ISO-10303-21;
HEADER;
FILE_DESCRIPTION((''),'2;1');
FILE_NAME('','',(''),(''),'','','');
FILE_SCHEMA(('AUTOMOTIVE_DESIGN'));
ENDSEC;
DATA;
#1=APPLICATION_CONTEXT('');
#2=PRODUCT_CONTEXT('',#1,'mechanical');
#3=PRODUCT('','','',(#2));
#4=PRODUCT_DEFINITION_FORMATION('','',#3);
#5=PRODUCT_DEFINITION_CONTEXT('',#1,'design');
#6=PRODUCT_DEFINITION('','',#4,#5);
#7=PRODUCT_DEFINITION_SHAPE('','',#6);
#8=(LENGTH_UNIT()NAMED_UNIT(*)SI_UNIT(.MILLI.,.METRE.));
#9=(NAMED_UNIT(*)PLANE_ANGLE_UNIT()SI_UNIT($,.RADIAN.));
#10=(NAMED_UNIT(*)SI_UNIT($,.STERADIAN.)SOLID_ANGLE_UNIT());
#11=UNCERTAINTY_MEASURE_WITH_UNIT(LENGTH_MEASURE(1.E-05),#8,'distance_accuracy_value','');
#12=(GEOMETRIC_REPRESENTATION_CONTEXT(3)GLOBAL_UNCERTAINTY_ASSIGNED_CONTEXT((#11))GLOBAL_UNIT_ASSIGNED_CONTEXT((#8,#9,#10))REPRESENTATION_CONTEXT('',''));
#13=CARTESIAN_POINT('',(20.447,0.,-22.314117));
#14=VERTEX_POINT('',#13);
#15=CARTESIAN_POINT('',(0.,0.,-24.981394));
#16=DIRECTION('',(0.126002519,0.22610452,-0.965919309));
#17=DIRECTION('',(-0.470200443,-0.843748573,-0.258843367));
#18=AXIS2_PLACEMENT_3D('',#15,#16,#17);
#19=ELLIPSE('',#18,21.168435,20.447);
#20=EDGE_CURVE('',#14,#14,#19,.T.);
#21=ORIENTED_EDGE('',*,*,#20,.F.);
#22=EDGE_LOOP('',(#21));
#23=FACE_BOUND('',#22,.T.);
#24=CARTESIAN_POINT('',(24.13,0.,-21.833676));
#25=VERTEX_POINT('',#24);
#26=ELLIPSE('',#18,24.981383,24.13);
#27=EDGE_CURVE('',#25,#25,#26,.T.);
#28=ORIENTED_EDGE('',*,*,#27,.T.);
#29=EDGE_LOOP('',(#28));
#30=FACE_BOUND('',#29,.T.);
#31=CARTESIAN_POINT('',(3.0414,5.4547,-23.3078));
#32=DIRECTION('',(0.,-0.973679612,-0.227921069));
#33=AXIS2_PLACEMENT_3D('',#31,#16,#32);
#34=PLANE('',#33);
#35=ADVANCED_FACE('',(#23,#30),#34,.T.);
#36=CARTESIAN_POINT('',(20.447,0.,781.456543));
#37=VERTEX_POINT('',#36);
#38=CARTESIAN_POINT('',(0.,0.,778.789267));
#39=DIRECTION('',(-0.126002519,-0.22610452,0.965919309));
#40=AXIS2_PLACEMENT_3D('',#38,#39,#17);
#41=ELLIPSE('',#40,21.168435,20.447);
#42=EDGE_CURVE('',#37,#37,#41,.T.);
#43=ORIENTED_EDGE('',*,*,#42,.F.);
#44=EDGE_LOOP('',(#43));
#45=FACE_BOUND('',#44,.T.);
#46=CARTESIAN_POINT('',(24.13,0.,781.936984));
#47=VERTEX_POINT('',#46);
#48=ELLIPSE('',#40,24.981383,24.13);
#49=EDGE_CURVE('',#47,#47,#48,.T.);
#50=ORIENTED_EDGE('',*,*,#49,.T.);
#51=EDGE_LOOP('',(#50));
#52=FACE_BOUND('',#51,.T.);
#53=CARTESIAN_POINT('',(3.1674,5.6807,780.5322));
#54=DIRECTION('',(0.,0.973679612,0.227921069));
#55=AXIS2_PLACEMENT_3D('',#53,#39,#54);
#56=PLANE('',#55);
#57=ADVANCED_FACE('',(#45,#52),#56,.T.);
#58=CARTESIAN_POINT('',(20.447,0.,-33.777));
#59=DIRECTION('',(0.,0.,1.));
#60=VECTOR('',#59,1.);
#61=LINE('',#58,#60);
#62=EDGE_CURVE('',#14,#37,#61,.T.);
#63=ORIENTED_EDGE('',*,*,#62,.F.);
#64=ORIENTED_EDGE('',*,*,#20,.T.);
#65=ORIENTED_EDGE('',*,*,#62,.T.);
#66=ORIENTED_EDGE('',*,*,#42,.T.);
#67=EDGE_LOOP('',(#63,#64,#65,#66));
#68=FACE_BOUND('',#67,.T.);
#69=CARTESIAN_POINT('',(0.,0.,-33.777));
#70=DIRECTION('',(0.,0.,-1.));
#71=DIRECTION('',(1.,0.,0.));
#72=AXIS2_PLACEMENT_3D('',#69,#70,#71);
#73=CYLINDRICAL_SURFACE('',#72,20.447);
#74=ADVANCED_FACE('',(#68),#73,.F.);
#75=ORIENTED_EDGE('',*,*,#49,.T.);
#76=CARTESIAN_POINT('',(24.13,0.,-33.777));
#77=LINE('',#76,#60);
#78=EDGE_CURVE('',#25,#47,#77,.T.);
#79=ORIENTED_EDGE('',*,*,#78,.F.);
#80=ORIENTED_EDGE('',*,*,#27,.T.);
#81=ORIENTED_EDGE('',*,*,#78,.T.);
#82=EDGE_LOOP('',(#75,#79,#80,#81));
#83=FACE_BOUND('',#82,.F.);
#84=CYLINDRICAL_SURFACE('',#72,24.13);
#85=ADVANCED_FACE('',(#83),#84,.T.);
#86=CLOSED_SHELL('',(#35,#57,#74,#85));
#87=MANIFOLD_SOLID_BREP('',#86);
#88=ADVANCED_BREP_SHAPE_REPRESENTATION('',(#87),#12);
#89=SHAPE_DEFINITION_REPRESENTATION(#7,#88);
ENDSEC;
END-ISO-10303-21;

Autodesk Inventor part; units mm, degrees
ref_plane "Start Plane" through (0, 0, -33.777) normal (0, 0, 1) x (1, 0, 0)
ref_plane "End Plane" through (0, 0, 787.5852) normal (0, 0, 1) x (1, 0, 0)
sketch "Sketch" plane through (0, 0, 0) normal (0, 0, 1) x (1, 0, 0)
  circle A0 centre (0, 0) radius 20.447
  circle A1 centre (0, 0) radius 24.13
  dimension "d0" = 48.26
  dimension "d1" = 3.683
extrude "Body" add sketch "Sketch" along normal up to surface (821.3622 mm away) from surface at -33.777
sketch "Sketch3" plane through (0, 0, 0) normal (0, 0, 1) x (1, 0, 0)
  line L0 (0, 0) -> (10, 0)
ref_plane "Work Plane3" through (0, 0, 0) normal (0, -1, 0) x (1, 0, 0)
ref_plane "Work Plane4" through (3.0414, 5.4547, -23.3078) normal (0.126, 0.2261, -0.9659) x (0.5338, -0.8362, -0.126)
split "Split1" plane through (3.0414, 5.4547, -23.3078) removes the side toward (0.126, 0.2261, -0.9659)
ref_plane "Work Plane5" through (3.1674, 5.6807, 780.5322) normal (-0.126, -0.2261, 0.9659) x (0.9919, -0.0145, 0.126)
split "Split2" plane through (3.1674, 5.6807, 780.5322) removes the side toward (-0.126, -0.2261, 0.9659)
sketch "Sketch4" plane through (0, 0, 0) normal (0, -1, 0) x (1, 0, 0)
  line L0 (-2, -33.777) -> (12, -33.777) projected
  line L1 (-2, 787.5852) -> (12, 787.5852) projected
  dimension "d7" = 821.3622
equation "\"d0\" = G_H"
equation "\"d1\" = G_T"
equation "\"d2\" = G_L"
equation "\"G_H\" = 48.26"
equation "\"G_T\" = 3.683"
equation "\"G_L\" = d7"
equation "\"G_OFFSET_START\" = 33.77702"
equation "\"G_OFFSET_END\" = -17.22068"
equation "\"d4\" = -G_OFFSET_START"
equation "\"d5\" = G_OFFSET_END + B_L"
equation "\"B_L\" = 804.8059"
properties part number "ANSI - 1 1/2 x 0.145 - 32.337" material "Steel, Mild"
